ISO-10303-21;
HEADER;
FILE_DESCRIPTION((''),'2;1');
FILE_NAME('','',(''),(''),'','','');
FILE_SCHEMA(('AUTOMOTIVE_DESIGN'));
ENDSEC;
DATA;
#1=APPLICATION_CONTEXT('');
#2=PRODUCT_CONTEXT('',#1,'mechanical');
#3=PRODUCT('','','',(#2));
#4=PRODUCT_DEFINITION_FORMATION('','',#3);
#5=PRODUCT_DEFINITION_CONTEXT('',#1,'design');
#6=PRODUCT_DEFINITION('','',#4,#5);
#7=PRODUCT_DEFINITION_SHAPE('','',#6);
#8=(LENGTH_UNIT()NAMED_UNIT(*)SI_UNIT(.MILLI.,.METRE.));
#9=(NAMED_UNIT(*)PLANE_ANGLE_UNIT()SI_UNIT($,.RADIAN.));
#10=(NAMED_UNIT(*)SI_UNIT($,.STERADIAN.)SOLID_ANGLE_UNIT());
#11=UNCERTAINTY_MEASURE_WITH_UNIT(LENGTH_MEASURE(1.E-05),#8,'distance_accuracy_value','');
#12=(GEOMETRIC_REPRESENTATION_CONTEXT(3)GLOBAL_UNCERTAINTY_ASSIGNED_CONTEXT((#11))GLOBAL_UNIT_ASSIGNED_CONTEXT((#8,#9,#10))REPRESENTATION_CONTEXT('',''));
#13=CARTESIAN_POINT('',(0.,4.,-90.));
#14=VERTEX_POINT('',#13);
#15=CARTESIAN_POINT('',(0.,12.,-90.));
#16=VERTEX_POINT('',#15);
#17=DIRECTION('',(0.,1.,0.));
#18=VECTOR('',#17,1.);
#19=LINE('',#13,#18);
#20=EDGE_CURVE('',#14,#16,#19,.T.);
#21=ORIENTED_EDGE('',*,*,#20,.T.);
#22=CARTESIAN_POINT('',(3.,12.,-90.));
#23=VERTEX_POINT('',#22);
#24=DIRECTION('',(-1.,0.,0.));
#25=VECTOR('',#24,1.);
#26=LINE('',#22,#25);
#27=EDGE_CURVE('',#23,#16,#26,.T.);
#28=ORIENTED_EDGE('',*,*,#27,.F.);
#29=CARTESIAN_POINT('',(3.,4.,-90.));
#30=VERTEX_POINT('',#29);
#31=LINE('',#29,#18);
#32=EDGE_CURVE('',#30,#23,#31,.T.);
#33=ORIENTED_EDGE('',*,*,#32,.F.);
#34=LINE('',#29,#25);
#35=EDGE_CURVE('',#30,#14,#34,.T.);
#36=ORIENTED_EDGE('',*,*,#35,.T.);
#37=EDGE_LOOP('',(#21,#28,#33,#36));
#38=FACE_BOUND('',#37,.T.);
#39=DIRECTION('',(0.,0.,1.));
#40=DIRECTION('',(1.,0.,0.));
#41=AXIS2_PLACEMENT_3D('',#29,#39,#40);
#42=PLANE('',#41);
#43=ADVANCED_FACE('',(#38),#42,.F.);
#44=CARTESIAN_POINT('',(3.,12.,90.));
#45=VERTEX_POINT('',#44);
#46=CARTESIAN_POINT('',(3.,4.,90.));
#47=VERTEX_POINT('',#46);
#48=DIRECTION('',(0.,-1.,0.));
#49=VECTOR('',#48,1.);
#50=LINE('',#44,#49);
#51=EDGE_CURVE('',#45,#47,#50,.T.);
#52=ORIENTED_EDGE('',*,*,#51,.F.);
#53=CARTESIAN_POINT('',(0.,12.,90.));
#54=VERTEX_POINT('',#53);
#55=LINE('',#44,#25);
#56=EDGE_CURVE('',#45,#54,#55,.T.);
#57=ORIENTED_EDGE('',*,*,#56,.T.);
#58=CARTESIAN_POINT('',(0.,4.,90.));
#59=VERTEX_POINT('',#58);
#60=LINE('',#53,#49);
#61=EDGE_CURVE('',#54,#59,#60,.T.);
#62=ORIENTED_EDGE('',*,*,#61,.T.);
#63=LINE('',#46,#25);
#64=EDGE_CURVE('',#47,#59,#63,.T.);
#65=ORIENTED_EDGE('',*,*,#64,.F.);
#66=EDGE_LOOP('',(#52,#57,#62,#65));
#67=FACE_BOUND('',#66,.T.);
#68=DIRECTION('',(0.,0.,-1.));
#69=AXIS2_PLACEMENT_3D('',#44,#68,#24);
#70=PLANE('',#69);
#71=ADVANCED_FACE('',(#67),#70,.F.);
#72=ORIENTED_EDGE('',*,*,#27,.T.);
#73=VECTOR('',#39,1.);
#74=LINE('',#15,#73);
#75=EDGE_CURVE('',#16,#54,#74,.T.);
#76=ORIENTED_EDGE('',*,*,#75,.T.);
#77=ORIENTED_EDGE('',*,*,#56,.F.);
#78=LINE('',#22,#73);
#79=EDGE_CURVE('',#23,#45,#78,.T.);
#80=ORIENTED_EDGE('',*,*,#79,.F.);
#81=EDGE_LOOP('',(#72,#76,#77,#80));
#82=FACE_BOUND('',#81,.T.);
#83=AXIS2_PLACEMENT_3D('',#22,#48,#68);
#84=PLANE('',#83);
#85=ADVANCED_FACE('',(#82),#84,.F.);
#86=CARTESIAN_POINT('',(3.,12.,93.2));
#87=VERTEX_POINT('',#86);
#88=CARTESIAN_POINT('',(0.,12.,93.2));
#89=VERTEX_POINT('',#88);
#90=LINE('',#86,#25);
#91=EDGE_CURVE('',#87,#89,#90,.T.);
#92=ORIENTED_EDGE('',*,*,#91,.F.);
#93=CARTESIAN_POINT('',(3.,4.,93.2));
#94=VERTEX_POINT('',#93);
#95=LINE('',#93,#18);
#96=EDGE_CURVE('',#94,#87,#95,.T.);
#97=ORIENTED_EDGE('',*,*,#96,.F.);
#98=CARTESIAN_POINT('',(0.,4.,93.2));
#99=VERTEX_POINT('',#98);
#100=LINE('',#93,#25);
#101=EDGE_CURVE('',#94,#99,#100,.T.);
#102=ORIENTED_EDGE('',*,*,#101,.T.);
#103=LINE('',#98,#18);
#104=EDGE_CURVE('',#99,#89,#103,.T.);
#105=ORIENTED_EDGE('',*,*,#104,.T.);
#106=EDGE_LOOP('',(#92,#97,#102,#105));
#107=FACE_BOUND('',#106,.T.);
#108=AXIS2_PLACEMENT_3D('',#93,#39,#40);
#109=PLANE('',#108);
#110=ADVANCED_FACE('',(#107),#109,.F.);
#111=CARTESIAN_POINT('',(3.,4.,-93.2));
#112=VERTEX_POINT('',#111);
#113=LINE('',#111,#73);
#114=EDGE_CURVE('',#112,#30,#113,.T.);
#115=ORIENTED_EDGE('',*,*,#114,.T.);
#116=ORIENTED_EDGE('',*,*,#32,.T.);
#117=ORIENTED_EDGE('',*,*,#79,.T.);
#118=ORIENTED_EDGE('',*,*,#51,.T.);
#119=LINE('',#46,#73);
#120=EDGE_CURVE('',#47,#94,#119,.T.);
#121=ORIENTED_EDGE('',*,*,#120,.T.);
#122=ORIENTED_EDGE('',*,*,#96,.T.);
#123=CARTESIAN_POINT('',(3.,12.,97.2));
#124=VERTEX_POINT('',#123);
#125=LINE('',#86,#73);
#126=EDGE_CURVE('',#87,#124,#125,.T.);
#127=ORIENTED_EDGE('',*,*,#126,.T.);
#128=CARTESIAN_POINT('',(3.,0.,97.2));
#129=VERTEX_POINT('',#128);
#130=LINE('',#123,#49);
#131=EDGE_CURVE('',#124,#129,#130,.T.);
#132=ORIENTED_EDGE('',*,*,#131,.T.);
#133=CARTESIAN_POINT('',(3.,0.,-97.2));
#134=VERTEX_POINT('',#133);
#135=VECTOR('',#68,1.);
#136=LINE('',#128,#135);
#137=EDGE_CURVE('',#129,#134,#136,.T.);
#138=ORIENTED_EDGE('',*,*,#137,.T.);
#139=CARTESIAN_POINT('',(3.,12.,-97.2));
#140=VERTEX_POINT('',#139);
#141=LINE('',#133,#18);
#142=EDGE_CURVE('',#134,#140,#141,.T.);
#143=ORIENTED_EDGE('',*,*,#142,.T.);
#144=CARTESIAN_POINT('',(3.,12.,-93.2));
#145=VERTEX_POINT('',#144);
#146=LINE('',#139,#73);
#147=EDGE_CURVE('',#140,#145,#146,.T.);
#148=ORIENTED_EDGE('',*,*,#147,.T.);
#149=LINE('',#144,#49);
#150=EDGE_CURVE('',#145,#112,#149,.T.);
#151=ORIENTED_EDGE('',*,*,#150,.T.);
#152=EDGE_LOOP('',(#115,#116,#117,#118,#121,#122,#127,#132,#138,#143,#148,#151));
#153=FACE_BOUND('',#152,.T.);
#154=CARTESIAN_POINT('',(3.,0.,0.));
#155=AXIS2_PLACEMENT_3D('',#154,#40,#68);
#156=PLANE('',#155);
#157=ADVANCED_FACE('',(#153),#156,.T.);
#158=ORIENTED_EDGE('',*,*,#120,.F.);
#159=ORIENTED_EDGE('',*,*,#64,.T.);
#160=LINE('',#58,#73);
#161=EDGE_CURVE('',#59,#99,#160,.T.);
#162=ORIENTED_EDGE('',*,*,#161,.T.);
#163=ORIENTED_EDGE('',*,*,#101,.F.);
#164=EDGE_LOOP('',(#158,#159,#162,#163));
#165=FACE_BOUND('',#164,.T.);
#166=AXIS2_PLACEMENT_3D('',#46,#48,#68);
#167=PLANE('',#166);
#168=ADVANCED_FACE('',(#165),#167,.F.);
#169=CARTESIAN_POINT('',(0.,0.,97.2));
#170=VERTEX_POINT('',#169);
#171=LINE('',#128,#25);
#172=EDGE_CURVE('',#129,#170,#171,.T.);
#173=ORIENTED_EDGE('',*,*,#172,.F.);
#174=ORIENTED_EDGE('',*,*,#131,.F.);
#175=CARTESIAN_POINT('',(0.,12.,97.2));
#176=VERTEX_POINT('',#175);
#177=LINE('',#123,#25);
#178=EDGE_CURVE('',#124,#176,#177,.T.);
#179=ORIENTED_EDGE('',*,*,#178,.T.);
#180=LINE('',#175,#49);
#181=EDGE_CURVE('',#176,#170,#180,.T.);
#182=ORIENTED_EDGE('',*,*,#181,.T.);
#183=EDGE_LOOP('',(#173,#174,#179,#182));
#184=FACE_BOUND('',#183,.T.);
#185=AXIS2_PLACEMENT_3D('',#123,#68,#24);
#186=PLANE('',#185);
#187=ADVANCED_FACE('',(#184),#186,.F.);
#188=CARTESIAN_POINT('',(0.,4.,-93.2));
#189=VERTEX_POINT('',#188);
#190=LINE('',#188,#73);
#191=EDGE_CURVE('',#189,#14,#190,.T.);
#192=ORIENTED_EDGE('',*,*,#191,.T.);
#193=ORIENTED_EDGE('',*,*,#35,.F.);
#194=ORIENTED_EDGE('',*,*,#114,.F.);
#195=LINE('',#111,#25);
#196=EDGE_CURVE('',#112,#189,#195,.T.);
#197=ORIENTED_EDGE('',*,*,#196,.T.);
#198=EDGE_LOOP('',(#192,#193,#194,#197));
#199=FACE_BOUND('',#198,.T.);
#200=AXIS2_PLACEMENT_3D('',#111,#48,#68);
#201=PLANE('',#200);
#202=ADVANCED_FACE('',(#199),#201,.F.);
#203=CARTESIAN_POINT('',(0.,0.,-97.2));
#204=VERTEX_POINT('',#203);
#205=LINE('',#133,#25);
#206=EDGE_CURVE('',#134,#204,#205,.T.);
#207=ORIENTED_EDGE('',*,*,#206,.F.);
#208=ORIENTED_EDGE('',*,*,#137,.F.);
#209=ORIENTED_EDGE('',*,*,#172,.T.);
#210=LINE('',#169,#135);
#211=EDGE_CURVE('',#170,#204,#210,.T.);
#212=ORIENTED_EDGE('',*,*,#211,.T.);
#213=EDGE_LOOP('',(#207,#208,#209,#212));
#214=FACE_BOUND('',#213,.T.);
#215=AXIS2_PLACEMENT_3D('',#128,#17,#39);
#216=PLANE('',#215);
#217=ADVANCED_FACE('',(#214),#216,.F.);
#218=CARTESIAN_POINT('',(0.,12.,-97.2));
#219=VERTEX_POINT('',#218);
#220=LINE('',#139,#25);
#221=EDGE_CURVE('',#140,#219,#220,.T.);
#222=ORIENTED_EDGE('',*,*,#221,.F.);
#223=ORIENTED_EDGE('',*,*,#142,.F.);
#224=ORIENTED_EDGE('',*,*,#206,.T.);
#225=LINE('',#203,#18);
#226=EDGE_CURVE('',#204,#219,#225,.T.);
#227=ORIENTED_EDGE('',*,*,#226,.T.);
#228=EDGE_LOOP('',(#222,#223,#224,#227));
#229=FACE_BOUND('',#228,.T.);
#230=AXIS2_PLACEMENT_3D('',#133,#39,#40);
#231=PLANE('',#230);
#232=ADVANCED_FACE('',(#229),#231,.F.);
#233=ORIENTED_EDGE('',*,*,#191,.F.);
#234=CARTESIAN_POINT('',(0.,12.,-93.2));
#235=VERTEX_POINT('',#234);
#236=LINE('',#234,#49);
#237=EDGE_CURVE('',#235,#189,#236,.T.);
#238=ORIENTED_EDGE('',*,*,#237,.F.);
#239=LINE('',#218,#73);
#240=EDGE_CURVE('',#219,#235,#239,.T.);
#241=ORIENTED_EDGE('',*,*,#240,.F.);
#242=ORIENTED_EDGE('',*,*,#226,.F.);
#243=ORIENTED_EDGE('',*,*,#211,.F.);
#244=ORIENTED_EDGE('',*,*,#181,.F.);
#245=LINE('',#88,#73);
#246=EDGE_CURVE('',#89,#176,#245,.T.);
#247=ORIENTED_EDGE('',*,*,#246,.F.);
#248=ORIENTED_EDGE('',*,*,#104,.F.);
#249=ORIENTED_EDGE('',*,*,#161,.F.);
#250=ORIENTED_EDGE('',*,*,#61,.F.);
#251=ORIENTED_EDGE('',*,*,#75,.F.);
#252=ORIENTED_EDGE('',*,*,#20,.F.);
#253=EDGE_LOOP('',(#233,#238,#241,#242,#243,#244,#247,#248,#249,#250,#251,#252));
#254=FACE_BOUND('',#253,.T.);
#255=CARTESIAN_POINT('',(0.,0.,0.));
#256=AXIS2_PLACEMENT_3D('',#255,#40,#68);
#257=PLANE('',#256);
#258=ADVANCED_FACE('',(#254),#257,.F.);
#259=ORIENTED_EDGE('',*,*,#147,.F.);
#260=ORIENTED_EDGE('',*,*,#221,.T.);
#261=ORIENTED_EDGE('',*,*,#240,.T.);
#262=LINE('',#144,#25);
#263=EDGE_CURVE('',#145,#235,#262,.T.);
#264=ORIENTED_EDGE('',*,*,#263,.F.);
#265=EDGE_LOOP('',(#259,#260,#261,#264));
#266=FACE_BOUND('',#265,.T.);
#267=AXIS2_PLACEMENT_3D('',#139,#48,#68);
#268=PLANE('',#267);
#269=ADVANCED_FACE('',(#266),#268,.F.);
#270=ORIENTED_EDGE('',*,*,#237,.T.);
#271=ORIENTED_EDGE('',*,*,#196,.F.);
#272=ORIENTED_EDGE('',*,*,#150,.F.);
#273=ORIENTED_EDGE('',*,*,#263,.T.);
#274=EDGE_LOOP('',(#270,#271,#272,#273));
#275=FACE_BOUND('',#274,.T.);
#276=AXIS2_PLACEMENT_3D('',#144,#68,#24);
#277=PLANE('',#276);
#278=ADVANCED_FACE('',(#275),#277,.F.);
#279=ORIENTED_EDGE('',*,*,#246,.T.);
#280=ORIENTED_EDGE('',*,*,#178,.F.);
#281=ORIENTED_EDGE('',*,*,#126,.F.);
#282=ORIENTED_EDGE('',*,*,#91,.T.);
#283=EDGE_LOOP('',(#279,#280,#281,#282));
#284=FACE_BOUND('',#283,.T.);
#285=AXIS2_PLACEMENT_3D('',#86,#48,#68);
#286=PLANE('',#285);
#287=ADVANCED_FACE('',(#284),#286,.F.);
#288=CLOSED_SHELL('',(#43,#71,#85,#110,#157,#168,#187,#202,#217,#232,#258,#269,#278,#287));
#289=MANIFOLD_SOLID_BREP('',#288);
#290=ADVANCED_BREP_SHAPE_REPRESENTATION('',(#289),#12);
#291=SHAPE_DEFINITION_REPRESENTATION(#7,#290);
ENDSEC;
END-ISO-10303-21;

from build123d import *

# Parameters (mm, degrees)
BOSS_EXTRUDE1_DEPTH = 3


with BuildPart() as part:
    # Sketch1 → Boss-Extrude1 (new body)
    with BuildSketch(Plane(origin=(0, 0, 0), x_dir=(0, 0, -1), z_dir=(1, 0, 0))):
        Polygon((-97.2, 12), (-97.2, 0), (97.2, 0), (97.2, 12), (93.2, 12), (93.2, 4), (90, 4), (90, 12), (-90, 12), (-90, 4), (-93.2, 4), (-93.2, 12), align=None)
    extrude(amount=BOSS_EXTRUDE1_DEPTH)


solid = part.part
